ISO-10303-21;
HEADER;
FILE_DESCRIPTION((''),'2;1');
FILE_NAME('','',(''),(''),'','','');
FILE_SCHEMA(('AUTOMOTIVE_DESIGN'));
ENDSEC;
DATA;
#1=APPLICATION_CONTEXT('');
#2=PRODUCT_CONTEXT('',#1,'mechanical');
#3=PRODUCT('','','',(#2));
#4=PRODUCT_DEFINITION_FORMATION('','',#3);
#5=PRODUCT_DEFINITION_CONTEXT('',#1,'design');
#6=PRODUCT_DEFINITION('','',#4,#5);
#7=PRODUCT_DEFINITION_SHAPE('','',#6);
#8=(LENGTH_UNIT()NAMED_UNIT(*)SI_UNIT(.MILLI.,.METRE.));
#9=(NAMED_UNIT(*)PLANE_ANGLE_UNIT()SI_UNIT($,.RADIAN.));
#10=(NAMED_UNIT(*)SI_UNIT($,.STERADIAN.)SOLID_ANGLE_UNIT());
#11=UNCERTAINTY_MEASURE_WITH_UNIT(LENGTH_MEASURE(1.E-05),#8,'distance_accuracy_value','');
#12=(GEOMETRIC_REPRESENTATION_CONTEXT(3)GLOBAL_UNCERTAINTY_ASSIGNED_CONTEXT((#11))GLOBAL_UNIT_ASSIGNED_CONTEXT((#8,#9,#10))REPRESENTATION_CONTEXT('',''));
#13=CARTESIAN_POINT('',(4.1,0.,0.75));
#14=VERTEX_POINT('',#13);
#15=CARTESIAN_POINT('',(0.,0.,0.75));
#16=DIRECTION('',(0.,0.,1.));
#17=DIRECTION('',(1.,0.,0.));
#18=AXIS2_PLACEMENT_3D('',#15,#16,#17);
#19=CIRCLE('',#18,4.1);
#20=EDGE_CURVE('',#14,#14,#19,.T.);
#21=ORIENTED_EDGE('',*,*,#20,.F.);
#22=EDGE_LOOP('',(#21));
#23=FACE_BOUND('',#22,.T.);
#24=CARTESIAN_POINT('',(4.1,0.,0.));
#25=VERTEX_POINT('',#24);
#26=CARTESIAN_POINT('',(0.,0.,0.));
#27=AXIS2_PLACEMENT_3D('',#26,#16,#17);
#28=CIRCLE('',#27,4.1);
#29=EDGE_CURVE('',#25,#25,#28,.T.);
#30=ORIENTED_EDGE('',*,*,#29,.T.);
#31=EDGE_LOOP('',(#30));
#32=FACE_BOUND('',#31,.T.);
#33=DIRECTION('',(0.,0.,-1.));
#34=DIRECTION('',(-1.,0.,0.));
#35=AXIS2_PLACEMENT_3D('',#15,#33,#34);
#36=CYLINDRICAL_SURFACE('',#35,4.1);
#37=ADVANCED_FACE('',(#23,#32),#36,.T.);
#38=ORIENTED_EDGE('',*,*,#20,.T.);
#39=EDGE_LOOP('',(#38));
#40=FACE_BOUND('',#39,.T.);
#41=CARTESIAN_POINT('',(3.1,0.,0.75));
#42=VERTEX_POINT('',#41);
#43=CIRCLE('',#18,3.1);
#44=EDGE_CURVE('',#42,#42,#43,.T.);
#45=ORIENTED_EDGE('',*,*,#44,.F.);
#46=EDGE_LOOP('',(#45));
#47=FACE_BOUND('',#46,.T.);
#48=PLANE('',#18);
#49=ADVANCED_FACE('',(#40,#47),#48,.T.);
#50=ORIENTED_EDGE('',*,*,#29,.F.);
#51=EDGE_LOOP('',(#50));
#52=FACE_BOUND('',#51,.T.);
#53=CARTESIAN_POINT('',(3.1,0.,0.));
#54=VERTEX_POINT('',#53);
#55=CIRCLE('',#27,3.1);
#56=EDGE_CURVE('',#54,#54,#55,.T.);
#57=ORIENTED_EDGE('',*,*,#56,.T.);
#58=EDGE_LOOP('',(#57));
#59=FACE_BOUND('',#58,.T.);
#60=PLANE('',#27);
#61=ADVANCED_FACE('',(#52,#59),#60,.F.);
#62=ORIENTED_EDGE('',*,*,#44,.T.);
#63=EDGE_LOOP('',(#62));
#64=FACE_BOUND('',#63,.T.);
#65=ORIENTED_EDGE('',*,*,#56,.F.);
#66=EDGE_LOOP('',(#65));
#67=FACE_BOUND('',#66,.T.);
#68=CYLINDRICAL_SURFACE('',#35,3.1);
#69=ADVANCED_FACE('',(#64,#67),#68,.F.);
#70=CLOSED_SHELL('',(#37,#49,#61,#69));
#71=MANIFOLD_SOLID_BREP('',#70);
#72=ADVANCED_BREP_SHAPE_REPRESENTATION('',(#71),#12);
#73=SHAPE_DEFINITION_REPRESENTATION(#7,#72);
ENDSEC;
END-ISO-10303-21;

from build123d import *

# Parameters (mm, degrees)
ESQUISSE1_R          = 4.1
ESQUISSE1_R_2        = 3.1
BASE_EXTRUSION_DEPTH = 0.75


with BuildPart() as part:
    # Esquisse1 → Base-Extrusion (new body)
    with BuildSketch(Plane.XY):
        Circle(ESQUISSE1_R)
        Circle(ESQUISSE1_R_2, mode=Mode.SUBTRACT)
    extrude(amount=BASE_EXTRUSION_DEPTH)


solid = part.part
